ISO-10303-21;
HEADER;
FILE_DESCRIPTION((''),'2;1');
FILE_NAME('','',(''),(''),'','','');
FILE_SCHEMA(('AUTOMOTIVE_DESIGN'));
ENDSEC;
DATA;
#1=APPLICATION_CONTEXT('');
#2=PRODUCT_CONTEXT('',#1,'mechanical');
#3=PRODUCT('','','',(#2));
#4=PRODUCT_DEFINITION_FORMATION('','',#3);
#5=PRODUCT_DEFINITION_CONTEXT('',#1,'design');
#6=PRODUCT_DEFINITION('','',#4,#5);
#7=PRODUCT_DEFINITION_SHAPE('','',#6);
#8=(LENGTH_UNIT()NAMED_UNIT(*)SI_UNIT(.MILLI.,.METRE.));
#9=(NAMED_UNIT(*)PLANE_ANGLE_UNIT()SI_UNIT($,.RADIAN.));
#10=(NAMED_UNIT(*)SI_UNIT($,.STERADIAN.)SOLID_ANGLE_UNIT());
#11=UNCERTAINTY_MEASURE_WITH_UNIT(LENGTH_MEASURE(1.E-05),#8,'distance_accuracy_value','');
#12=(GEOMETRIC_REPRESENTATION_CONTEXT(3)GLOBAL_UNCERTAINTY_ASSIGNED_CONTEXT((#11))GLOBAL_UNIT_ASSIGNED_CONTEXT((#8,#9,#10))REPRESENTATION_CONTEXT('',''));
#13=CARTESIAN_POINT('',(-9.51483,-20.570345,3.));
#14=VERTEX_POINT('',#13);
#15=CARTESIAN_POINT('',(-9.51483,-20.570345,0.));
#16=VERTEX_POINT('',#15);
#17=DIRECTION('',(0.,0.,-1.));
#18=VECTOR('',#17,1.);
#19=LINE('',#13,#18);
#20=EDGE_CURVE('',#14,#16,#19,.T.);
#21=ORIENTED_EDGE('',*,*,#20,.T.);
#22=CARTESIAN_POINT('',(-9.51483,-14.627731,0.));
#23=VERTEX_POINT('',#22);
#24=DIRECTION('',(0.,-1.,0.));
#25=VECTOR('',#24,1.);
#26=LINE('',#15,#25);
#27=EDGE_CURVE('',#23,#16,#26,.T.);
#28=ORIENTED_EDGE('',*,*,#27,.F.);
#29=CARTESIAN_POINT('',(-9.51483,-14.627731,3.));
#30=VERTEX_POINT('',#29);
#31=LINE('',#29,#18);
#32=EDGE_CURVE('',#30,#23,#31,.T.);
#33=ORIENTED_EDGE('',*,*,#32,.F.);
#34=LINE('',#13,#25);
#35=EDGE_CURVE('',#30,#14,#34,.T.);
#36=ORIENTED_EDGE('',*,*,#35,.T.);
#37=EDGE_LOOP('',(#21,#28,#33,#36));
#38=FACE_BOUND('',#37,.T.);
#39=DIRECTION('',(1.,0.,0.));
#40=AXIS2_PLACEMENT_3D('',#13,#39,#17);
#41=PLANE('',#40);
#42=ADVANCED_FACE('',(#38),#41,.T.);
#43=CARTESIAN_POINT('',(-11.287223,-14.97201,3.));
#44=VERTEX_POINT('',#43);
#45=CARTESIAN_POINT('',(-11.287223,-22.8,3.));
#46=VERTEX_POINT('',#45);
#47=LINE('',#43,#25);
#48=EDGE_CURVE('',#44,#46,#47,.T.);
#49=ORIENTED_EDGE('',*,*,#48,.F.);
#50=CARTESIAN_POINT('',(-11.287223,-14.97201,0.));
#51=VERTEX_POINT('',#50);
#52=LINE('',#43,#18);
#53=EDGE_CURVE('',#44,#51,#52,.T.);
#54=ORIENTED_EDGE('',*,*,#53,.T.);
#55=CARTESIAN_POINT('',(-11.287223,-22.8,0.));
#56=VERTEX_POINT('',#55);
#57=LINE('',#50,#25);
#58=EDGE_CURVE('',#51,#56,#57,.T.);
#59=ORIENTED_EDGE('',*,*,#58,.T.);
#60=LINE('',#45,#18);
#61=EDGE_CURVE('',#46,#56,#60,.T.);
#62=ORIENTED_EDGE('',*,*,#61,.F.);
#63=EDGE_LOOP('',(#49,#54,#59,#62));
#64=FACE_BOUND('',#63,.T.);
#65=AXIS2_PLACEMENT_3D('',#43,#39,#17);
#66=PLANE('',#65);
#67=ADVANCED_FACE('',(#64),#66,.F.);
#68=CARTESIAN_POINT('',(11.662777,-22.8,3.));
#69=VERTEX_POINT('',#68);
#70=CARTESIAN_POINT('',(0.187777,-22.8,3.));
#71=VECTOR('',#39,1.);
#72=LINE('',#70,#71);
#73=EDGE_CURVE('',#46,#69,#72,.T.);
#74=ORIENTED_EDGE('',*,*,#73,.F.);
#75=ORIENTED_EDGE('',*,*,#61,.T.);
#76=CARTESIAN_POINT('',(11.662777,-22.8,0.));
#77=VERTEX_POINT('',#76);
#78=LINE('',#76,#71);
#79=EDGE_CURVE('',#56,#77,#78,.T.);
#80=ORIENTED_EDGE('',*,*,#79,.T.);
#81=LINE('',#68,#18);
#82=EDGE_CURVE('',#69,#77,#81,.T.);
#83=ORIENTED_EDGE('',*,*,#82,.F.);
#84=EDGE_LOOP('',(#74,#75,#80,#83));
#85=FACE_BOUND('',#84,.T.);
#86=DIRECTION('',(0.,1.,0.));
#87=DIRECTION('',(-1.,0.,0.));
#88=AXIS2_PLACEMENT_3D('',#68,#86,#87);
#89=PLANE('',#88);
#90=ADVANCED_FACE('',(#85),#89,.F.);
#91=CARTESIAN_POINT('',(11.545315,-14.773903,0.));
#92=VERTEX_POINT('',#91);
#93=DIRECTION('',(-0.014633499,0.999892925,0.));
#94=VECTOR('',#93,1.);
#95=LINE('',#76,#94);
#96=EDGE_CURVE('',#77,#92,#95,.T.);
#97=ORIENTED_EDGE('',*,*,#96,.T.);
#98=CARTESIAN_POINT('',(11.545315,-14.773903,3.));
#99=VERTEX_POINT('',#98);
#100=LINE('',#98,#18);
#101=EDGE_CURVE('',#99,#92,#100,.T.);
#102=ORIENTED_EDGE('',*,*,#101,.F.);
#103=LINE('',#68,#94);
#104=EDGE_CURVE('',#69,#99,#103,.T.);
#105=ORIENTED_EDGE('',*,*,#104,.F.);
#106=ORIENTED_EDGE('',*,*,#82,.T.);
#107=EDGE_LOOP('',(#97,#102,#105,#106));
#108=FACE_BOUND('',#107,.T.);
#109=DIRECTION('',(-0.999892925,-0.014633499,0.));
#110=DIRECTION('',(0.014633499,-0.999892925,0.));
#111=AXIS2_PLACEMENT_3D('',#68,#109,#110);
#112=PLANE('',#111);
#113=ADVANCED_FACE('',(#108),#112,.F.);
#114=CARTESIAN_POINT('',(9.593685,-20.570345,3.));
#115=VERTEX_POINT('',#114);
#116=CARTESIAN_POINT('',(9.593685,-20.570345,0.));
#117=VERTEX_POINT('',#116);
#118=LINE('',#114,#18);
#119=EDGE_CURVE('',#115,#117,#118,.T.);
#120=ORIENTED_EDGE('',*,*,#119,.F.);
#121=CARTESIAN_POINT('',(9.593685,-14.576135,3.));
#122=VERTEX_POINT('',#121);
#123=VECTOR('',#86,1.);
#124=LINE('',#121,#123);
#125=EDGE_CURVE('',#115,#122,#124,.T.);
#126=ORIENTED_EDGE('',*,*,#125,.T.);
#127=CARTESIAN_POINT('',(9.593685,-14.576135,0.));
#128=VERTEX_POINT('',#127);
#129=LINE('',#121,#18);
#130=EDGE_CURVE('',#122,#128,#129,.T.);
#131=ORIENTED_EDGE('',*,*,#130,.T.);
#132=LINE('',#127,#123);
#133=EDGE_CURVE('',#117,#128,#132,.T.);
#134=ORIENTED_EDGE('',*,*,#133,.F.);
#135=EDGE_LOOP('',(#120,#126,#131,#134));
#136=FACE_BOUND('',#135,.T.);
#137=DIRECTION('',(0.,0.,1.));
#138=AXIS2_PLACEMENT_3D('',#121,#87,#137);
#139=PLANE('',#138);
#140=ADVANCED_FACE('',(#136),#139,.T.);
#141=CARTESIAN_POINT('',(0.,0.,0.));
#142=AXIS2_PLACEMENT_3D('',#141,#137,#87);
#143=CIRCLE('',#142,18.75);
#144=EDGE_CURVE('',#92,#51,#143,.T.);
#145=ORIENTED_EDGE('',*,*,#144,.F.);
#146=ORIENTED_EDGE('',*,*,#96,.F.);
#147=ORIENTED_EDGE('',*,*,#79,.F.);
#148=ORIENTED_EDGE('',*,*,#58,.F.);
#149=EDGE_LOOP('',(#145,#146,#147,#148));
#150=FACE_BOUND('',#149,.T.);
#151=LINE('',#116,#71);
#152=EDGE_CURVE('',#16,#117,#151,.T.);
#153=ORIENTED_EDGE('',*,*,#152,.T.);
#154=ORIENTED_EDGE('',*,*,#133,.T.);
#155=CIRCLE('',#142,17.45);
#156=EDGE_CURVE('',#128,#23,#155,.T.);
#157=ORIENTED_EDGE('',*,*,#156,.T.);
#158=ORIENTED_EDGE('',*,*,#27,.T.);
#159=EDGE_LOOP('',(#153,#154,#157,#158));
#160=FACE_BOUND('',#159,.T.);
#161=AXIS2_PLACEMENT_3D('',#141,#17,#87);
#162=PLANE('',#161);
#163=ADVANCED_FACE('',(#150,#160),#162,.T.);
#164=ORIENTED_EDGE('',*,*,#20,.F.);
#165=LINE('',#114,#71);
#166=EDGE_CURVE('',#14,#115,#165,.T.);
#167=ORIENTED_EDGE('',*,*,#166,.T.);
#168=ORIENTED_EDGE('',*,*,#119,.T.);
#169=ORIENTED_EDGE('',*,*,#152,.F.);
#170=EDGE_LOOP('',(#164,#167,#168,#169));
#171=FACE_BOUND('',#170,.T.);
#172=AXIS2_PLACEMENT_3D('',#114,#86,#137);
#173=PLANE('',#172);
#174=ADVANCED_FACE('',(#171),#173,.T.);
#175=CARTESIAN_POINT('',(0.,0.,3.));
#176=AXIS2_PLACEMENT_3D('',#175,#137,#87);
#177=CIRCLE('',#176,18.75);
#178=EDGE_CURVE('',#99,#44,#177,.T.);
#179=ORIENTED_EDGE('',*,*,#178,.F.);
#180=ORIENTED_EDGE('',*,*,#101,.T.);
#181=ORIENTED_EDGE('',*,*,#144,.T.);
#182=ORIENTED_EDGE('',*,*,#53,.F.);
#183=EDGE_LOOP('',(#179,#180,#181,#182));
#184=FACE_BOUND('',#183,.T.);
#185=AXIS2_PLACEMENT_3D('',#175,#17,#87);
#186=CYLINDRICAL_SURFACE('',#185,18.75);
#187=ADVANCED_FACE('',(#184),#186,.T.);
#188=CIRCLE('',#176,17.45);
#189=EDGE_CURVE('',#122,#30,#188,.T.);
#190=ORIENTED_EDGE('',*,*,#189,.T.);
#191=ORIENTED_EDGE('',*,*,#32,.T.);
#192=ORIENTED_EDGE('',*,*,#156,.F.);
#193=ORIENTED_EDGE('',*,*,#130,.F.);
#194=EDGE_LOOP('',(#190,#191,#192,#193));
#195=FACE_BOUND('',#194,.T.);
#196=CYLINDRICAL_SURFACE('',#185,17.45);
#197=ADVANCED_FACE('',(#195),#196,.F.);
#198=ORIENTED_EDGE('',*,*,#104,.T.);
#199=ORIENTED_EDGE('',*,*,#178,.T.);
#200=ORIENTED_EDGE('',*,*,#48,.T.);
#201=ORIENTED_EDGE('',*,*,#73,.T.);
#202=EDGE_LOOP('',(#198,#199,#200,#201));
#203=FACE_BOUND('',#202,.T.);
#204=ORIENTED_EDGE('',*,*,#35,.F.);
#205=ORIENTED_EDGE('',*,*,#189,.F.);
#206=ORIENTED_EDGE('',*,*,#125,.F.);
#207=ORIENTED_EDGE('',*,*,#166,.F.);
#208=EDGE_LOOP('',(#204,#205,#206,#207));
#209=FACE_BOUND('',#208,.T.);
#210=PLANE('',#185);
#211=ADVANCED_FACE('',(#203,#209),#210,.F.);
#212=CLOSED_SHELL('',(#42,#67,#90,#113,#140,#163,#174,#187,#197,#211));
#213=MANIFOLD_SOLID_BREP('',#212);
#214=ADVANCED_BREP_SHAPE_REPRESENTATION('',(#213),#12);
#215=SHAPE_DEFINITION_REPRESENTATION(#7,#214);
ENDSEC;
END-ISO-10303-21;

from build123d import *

# Parameters (mm, degrees)
BOSS_EXTRUDE1_DEPTH = 3
CUT_EXTRUDE1_DEPTH  = 3


with BuildPart() as part:
    # Sketch4 → Boss-Extrude1 (new body)
    with BuildSketch(Plane.XY):
        with BuildLine():
            Line((0.18777702, -22.8), (-11.28722298, -22.8))
            Line((-11.28722298, -22.8), (-11.28722298, -14.972010466))
            ThreePointArc((-11.28722298, -14.972010466), (-0.162678986, 18.749294268), (11.545314563, -14.773903061))
            Line((11.545314563, -14.773903061), (11.66277702, -22.8))
            Line((11.66277702, -22.8), (0.18777702, -22.8))
        make_face()
    extrude(amount=BOSS_EXTRUDE1_DEPTH)

    # Sketch5 → Cut-Extrude1 (cut)
    with BuildSketch(Plane.XY):
        with BuildLine():
            Line((9.593685177, -14.576134767), (9.593685177, -20.570344852))
            Line((9.593685177, -20.570344852), (-9.514830363, -20.570344852))
            Line((-9.514830363, -20.570344852), (-9.514830363, -14.627730622))
            ThreePointArc((-9.514830363, -14.627730622), (-0.047117443, 17.449936388), (9.593685177, -14.576134767))
        make_face()
    extrude(amount=CUT_EXTRUDE1_DEPTH, mode=Mode.SUBTRACT)


solid = part.part
